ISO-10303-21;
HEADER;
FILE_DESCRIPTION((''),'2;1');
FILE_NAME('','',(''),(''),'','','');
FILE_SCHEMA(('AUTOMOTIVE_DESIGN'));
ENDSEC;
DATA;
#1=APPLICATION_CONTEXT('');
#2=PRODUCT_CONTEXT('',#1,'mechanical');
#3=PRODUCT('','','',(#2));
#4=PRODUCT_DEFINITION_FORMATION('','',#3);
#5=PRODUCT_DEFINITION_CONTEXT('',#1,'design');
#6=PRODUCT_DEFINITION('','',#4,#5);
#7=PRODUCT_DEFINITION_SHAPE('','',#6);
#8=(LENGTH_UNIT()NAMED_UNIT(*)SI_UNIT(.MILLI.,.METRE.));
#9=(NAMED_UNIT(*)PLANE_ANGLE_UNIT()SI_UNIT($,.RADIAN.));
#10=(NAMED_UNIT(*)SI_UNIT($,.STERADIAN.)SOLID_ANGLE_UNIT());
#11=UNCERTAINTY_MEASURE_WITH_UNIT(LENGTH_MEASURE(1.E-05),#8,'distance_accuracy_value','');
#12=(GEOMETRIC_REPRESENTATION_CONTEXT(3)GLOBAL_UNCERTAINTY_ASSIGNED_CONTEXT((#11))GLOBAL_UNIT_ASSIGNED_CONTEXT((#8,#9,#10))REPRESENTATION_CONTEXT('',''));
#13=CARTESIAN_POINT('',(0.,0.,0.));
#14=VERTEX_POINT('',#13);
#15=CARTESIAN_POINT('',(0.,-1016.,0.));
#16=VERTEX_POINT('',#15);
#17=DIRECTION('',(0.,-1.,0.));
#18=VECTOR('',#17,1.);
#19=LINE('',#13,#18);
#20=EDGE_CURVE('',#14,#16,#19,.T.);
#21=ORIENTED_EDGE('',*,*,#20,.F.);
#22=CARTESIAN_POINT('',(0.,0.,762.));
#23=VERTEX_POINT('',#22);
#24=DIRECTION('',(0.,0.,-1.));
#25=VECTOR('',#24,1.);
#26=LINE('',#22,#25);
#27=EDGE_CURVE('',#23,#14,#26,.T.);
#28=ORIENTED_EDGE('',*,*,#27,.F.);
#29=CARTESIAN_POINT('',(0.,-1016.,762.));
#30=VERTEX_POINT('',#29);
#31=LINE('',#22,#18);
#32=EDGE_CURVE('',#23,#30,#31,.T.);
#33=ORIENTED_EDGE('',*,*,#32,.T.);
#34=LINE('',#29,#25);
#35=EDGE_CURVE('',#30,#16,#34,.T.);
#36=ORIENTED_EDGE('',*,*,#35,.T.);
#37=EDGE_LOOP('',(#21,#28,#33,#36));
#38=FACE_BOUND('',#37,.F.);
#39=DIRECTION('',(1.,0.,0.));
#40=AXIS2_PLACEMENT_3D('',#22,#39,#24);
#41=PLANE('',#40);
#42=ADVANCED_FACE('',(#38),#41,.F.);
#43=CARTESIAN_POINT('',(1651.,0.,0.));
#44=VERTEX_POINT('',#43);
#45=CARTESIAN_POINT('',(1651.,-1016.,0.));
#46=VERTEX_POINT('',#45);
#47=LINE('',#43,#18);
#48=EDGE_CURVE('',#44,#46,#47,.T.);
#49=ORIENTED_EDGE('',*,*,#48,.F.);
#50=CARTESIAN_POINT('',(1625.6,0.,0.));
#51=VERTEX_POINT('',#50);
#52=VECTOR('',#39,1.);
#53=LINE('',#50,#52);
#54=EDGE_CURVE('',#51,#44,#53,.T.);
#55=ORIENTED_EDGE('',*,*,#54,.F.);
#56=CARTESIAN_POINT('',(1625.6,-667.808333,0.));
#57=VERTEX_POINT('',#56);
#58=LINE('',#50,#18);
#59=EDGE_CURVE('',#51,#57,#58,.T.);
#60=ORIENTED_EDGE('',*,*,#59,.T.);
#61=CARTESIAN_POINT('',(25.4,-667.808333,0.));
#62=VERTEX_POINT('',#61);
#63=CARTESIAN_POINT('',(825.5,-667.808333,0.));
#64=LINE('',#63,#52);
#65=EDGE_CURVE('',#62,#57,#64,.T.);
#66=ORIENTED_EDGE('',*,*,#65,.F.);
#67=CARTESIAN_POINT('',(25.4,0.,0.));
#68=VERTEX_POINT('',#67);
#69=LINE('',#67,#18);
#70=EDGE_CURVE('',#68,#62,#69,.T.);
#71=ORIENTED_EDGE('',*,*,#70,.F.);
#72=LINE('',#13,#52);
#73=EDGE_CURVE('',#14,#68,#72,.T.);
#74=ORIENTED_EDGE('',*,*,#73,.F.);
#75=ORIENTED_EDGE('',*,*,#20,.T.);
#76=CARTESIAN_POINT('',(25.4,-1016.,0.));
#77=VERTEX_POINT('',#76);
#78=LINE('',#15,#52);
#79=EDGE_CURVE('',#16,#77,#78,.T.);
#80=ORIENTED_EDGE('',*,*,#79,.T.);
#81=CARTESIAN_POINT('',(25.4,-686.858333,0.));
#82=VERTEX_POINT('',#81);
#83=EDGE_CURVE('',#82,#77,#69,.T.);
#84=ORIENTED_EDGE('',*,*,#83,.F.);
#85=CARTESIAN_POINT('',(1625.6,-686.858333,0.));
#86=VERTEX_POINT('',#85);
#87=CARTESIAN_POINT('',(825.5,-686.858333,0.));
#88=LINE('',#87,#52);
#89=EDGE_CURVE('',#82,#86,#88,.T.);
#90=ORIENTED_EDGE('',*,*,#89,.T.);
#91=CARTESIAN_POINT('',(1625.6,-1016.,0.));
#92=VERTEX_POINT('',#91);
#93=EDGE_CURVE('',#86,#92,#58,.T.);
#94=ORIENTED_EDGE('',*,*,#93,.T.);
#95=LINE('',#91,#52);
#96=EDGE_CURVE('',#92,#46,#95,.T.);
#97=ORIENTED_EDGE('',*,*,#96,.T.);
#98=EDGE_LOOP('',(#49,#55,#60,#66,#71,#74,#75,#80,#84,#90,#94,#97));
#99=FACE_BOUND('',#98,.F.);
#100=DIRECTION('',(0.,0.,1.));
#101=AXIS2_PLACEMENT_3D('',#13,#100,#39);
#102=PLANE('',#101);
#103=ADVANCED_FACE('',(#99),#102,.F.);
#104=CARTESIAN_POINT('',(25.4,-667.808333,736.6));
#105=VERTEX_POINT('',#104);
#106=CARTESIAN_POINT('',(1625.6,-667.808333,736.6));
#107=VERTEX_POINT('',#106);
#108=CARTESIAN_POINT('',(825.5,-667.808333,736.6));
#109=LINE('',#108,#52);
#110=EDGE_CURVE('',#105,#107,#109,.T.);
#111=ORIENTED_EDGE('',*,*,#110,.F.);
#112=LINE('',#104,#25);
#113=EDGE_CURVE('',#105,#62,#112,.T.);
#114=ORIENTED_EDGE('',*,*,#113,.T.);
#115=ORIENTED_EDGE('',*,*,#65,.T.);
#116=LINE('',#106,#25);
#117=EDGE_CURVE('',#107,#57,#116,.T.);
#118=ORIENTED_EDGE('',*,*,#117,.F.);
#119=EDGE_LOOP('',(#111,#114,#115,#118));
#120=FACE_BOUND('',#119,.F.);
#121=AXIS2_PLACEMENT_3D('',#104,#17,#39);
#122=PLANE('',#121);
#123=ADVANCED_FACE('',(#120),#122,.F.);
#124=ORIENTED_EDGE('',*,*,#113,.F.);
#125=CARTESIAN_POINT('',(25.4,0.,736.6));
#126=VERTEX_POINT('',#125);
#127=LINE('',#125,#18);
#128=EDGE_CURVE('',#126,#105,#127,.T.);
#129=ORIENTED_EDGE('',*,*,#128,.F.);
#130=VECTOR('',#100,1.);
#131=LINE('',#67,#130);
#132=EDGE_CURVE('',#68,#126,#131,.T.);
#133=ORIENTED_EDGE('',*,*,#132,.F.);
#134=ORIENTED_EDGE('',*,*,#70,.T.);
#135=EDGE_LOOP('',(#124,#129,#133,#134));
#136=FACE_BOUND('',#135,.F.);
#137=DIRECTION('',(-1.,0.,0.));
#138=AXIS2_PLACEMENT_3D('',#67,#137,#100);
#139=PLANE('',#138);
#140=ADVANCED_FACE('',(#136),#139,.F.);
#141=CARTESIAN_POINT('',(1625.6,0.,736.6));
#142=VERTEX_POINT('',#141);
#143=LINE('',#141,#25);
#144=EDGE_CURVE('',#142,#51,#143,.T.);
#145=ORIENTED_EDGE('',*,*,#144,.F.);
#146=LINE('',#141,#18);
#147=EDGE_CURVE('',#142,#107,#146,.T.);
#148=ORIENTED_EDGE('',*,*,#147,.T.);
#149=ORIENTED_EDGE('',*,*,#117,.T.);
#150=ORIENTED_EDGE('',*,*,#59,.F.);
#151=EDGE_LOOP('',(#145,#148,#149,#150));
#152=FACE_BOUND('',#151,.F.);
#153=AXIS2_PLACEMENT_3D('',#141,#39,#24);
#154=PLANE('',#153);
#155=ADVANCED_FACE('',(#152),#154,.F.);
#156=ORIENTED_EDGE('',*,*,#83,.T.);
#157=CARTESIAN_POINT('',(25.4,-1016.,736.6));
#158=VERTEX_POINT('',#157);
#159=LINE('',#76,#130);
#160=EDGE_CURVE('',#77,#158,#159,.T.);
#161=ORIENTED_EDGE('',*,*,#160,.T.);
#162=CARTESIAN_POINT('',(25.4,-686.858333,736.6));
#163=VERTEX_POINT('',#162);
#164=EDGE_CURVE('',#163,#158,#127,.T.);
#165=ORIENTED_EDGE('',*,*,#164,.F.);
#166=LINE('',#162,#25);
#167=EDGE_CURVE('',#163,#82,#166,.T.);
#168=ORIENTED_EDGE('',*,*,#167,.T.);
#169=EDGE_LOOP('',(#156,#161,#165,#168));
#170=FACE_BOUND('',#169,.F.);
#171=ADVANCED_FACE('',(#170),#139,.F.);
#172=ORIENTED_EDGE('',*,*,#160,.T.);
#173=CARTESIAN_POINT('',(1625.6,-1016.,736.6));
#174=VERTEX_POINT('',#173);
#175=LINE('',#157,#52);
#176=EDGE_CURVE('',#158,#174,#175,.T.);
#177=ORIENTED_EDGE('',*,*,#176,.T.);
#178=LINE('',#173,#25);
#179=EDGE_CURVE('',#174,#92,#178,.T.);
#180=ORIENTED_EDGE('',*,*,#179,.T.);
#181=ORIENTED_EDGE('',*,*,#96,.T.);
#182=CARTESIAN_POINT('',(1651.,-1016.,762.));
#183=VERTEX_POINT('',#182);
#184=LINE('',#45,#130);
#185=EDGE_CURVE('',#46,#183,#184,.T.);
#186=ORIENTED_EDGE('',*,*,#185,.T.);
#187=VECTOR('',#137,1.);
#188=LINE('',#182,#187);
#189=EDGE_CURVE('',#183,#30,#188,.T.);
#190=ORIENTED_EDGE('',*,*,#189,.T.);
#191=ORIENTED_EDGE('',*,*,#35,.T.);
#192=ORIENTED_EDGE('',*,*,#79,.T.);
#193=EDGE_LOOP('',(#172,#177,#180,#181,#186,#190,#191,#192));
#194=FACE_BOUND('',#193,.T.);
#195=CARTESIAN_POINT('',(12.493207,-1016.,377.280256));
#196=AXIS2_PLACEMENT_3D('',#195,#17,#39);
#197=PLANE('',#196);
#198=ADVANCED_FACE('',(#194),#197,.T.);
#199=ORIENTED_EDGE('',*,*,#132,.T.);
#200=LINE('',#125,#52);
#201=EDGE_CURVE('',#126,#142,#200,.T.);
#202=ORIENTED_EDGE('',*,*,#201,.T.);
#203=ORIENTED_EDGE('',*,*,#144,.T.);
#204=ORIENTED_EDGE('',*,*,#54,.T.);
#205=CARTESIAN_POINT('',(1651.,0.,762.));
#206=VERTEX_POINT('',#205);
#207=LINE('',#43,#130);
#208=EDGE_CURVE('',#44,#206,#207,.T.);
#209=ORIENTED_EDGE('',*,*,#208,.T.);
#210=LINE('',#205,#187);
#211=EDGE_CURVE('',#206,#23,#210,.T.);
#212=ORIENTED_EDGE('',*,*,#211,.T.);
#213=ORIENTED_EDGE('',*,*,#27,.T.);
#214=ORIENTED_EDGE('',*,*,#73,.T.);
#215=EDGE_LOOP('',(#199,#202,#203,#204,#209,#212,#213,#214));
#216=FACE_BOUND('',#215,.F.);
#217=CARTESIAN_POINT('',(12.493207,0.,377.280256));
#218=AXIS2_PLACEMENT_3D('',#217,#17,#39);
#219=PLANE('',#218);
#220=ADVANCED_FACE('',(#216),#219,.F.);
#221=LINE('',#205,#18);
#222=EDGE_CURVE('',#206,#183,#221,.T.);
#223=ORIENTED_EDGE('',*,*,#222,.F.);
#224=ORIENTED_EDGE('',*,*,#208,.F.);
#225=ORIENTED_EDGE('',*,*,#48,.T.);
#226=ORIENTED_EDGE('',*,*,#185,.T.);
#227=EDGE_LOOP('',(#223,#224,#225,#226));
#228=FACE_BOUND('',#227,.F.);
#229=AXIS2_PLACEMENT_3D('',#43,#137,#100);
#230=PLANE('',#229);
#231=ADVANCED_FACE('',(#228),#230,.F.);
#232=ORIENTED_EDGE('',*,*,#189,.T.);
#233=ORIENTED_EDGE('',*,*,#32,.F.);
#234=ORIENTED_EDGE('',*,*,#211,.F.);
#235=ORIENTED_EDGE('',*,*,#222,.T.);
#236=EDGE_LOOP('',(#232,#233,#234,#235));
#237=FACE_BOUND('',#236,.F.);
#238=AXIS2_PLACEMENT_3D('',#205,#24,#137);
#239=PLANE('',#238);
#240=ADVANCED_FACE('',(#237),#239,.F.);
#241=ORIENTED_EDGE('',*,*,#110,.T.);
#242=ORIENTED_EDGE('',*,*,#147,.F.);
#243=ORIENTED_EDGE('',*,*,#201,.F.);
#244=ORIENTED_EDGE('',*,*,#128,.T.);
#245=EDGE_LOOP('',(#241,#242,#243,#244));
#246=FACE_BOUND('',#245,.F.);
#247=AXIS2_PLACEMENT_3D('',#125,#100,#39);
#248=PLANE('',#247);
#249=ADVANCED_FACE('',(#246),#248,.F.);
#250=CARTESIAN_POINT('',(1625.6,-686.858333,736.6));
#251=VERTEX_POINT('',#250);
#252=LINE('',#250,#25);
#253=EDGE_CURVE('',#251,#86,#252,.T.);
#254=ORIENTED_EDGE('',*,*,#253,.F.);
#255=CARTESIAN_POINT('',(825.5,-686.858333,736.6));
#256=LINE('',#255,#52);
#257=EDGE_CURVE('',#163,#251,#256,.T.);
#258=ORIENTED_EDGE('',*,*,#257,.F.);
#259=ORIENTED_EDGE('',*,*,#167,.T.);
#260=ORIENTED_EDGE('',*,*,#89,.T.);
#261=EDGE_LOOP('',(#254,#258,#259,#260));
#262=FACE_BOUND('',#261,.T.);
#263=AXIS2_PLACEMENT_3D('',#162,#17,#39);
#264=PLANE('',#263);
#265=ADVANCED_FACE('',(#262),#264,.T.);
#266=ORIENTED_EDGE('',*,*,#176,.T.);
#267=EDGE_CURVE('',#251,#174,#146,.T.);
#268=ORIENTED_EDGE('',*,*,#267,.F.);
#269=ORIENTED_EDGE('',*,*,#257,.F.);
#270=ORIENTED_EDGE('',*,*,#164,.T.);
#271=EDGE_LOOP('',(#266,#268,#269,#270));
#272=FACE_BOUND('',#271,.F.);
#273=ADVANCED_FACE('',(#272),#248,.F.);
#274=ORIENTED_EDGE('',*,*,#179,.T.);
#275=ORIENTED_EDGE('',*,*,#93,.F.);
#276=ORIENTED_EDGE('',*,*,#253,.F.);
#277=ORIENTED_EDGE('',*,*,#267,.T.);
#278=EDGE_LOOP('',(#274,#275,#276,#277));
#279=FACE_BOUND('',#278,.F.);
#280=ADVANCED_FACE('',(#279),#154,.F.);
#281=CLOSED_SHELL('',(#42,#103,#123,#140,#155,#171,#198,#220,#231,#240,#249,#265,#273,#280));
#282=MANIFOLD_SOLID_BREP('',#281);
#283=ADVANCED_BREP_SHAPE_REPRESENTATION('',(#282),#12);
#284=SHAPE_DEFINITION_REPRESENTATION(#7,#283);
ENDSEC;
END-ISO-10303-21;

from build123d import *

# Parameters (mm, degrees)
F3_DEPTH = 1016
F4_W     = 1600.2
F4_H     = 19.05
F5_DEPTH = 736.6


with BuildPart() as f3:
    # F2 (on Front) → F3 (new body)
    with BuildSketch(Plane.XZ):
        Polygon((0, 762), (0, 0), (25.4, 0), (25.4, 736.6), align=None)
        Polygon((1651, 762), (0, 762), (25.4, 736.6), (1625.6, 736.6), align=None)
        Polygon((1651, 0), (1651, 762), (1625.6, 736.6), (1625.6, 0), align=None)
    extrude(amount=F3_DEPTH)

    # F4 (on face) → F5 (join, through all)
    with BuildSketch(Plane(origin=(0, 0, 736.6), x_dir=(1, 0, 0), z_dir=(0, 0, -1))):
        with Locations((825.5, 677.3333333333)):
            Rectangle(F4_W, F4_H)
    extrude(amount=F5_DEPTH)


solid = f3.part
